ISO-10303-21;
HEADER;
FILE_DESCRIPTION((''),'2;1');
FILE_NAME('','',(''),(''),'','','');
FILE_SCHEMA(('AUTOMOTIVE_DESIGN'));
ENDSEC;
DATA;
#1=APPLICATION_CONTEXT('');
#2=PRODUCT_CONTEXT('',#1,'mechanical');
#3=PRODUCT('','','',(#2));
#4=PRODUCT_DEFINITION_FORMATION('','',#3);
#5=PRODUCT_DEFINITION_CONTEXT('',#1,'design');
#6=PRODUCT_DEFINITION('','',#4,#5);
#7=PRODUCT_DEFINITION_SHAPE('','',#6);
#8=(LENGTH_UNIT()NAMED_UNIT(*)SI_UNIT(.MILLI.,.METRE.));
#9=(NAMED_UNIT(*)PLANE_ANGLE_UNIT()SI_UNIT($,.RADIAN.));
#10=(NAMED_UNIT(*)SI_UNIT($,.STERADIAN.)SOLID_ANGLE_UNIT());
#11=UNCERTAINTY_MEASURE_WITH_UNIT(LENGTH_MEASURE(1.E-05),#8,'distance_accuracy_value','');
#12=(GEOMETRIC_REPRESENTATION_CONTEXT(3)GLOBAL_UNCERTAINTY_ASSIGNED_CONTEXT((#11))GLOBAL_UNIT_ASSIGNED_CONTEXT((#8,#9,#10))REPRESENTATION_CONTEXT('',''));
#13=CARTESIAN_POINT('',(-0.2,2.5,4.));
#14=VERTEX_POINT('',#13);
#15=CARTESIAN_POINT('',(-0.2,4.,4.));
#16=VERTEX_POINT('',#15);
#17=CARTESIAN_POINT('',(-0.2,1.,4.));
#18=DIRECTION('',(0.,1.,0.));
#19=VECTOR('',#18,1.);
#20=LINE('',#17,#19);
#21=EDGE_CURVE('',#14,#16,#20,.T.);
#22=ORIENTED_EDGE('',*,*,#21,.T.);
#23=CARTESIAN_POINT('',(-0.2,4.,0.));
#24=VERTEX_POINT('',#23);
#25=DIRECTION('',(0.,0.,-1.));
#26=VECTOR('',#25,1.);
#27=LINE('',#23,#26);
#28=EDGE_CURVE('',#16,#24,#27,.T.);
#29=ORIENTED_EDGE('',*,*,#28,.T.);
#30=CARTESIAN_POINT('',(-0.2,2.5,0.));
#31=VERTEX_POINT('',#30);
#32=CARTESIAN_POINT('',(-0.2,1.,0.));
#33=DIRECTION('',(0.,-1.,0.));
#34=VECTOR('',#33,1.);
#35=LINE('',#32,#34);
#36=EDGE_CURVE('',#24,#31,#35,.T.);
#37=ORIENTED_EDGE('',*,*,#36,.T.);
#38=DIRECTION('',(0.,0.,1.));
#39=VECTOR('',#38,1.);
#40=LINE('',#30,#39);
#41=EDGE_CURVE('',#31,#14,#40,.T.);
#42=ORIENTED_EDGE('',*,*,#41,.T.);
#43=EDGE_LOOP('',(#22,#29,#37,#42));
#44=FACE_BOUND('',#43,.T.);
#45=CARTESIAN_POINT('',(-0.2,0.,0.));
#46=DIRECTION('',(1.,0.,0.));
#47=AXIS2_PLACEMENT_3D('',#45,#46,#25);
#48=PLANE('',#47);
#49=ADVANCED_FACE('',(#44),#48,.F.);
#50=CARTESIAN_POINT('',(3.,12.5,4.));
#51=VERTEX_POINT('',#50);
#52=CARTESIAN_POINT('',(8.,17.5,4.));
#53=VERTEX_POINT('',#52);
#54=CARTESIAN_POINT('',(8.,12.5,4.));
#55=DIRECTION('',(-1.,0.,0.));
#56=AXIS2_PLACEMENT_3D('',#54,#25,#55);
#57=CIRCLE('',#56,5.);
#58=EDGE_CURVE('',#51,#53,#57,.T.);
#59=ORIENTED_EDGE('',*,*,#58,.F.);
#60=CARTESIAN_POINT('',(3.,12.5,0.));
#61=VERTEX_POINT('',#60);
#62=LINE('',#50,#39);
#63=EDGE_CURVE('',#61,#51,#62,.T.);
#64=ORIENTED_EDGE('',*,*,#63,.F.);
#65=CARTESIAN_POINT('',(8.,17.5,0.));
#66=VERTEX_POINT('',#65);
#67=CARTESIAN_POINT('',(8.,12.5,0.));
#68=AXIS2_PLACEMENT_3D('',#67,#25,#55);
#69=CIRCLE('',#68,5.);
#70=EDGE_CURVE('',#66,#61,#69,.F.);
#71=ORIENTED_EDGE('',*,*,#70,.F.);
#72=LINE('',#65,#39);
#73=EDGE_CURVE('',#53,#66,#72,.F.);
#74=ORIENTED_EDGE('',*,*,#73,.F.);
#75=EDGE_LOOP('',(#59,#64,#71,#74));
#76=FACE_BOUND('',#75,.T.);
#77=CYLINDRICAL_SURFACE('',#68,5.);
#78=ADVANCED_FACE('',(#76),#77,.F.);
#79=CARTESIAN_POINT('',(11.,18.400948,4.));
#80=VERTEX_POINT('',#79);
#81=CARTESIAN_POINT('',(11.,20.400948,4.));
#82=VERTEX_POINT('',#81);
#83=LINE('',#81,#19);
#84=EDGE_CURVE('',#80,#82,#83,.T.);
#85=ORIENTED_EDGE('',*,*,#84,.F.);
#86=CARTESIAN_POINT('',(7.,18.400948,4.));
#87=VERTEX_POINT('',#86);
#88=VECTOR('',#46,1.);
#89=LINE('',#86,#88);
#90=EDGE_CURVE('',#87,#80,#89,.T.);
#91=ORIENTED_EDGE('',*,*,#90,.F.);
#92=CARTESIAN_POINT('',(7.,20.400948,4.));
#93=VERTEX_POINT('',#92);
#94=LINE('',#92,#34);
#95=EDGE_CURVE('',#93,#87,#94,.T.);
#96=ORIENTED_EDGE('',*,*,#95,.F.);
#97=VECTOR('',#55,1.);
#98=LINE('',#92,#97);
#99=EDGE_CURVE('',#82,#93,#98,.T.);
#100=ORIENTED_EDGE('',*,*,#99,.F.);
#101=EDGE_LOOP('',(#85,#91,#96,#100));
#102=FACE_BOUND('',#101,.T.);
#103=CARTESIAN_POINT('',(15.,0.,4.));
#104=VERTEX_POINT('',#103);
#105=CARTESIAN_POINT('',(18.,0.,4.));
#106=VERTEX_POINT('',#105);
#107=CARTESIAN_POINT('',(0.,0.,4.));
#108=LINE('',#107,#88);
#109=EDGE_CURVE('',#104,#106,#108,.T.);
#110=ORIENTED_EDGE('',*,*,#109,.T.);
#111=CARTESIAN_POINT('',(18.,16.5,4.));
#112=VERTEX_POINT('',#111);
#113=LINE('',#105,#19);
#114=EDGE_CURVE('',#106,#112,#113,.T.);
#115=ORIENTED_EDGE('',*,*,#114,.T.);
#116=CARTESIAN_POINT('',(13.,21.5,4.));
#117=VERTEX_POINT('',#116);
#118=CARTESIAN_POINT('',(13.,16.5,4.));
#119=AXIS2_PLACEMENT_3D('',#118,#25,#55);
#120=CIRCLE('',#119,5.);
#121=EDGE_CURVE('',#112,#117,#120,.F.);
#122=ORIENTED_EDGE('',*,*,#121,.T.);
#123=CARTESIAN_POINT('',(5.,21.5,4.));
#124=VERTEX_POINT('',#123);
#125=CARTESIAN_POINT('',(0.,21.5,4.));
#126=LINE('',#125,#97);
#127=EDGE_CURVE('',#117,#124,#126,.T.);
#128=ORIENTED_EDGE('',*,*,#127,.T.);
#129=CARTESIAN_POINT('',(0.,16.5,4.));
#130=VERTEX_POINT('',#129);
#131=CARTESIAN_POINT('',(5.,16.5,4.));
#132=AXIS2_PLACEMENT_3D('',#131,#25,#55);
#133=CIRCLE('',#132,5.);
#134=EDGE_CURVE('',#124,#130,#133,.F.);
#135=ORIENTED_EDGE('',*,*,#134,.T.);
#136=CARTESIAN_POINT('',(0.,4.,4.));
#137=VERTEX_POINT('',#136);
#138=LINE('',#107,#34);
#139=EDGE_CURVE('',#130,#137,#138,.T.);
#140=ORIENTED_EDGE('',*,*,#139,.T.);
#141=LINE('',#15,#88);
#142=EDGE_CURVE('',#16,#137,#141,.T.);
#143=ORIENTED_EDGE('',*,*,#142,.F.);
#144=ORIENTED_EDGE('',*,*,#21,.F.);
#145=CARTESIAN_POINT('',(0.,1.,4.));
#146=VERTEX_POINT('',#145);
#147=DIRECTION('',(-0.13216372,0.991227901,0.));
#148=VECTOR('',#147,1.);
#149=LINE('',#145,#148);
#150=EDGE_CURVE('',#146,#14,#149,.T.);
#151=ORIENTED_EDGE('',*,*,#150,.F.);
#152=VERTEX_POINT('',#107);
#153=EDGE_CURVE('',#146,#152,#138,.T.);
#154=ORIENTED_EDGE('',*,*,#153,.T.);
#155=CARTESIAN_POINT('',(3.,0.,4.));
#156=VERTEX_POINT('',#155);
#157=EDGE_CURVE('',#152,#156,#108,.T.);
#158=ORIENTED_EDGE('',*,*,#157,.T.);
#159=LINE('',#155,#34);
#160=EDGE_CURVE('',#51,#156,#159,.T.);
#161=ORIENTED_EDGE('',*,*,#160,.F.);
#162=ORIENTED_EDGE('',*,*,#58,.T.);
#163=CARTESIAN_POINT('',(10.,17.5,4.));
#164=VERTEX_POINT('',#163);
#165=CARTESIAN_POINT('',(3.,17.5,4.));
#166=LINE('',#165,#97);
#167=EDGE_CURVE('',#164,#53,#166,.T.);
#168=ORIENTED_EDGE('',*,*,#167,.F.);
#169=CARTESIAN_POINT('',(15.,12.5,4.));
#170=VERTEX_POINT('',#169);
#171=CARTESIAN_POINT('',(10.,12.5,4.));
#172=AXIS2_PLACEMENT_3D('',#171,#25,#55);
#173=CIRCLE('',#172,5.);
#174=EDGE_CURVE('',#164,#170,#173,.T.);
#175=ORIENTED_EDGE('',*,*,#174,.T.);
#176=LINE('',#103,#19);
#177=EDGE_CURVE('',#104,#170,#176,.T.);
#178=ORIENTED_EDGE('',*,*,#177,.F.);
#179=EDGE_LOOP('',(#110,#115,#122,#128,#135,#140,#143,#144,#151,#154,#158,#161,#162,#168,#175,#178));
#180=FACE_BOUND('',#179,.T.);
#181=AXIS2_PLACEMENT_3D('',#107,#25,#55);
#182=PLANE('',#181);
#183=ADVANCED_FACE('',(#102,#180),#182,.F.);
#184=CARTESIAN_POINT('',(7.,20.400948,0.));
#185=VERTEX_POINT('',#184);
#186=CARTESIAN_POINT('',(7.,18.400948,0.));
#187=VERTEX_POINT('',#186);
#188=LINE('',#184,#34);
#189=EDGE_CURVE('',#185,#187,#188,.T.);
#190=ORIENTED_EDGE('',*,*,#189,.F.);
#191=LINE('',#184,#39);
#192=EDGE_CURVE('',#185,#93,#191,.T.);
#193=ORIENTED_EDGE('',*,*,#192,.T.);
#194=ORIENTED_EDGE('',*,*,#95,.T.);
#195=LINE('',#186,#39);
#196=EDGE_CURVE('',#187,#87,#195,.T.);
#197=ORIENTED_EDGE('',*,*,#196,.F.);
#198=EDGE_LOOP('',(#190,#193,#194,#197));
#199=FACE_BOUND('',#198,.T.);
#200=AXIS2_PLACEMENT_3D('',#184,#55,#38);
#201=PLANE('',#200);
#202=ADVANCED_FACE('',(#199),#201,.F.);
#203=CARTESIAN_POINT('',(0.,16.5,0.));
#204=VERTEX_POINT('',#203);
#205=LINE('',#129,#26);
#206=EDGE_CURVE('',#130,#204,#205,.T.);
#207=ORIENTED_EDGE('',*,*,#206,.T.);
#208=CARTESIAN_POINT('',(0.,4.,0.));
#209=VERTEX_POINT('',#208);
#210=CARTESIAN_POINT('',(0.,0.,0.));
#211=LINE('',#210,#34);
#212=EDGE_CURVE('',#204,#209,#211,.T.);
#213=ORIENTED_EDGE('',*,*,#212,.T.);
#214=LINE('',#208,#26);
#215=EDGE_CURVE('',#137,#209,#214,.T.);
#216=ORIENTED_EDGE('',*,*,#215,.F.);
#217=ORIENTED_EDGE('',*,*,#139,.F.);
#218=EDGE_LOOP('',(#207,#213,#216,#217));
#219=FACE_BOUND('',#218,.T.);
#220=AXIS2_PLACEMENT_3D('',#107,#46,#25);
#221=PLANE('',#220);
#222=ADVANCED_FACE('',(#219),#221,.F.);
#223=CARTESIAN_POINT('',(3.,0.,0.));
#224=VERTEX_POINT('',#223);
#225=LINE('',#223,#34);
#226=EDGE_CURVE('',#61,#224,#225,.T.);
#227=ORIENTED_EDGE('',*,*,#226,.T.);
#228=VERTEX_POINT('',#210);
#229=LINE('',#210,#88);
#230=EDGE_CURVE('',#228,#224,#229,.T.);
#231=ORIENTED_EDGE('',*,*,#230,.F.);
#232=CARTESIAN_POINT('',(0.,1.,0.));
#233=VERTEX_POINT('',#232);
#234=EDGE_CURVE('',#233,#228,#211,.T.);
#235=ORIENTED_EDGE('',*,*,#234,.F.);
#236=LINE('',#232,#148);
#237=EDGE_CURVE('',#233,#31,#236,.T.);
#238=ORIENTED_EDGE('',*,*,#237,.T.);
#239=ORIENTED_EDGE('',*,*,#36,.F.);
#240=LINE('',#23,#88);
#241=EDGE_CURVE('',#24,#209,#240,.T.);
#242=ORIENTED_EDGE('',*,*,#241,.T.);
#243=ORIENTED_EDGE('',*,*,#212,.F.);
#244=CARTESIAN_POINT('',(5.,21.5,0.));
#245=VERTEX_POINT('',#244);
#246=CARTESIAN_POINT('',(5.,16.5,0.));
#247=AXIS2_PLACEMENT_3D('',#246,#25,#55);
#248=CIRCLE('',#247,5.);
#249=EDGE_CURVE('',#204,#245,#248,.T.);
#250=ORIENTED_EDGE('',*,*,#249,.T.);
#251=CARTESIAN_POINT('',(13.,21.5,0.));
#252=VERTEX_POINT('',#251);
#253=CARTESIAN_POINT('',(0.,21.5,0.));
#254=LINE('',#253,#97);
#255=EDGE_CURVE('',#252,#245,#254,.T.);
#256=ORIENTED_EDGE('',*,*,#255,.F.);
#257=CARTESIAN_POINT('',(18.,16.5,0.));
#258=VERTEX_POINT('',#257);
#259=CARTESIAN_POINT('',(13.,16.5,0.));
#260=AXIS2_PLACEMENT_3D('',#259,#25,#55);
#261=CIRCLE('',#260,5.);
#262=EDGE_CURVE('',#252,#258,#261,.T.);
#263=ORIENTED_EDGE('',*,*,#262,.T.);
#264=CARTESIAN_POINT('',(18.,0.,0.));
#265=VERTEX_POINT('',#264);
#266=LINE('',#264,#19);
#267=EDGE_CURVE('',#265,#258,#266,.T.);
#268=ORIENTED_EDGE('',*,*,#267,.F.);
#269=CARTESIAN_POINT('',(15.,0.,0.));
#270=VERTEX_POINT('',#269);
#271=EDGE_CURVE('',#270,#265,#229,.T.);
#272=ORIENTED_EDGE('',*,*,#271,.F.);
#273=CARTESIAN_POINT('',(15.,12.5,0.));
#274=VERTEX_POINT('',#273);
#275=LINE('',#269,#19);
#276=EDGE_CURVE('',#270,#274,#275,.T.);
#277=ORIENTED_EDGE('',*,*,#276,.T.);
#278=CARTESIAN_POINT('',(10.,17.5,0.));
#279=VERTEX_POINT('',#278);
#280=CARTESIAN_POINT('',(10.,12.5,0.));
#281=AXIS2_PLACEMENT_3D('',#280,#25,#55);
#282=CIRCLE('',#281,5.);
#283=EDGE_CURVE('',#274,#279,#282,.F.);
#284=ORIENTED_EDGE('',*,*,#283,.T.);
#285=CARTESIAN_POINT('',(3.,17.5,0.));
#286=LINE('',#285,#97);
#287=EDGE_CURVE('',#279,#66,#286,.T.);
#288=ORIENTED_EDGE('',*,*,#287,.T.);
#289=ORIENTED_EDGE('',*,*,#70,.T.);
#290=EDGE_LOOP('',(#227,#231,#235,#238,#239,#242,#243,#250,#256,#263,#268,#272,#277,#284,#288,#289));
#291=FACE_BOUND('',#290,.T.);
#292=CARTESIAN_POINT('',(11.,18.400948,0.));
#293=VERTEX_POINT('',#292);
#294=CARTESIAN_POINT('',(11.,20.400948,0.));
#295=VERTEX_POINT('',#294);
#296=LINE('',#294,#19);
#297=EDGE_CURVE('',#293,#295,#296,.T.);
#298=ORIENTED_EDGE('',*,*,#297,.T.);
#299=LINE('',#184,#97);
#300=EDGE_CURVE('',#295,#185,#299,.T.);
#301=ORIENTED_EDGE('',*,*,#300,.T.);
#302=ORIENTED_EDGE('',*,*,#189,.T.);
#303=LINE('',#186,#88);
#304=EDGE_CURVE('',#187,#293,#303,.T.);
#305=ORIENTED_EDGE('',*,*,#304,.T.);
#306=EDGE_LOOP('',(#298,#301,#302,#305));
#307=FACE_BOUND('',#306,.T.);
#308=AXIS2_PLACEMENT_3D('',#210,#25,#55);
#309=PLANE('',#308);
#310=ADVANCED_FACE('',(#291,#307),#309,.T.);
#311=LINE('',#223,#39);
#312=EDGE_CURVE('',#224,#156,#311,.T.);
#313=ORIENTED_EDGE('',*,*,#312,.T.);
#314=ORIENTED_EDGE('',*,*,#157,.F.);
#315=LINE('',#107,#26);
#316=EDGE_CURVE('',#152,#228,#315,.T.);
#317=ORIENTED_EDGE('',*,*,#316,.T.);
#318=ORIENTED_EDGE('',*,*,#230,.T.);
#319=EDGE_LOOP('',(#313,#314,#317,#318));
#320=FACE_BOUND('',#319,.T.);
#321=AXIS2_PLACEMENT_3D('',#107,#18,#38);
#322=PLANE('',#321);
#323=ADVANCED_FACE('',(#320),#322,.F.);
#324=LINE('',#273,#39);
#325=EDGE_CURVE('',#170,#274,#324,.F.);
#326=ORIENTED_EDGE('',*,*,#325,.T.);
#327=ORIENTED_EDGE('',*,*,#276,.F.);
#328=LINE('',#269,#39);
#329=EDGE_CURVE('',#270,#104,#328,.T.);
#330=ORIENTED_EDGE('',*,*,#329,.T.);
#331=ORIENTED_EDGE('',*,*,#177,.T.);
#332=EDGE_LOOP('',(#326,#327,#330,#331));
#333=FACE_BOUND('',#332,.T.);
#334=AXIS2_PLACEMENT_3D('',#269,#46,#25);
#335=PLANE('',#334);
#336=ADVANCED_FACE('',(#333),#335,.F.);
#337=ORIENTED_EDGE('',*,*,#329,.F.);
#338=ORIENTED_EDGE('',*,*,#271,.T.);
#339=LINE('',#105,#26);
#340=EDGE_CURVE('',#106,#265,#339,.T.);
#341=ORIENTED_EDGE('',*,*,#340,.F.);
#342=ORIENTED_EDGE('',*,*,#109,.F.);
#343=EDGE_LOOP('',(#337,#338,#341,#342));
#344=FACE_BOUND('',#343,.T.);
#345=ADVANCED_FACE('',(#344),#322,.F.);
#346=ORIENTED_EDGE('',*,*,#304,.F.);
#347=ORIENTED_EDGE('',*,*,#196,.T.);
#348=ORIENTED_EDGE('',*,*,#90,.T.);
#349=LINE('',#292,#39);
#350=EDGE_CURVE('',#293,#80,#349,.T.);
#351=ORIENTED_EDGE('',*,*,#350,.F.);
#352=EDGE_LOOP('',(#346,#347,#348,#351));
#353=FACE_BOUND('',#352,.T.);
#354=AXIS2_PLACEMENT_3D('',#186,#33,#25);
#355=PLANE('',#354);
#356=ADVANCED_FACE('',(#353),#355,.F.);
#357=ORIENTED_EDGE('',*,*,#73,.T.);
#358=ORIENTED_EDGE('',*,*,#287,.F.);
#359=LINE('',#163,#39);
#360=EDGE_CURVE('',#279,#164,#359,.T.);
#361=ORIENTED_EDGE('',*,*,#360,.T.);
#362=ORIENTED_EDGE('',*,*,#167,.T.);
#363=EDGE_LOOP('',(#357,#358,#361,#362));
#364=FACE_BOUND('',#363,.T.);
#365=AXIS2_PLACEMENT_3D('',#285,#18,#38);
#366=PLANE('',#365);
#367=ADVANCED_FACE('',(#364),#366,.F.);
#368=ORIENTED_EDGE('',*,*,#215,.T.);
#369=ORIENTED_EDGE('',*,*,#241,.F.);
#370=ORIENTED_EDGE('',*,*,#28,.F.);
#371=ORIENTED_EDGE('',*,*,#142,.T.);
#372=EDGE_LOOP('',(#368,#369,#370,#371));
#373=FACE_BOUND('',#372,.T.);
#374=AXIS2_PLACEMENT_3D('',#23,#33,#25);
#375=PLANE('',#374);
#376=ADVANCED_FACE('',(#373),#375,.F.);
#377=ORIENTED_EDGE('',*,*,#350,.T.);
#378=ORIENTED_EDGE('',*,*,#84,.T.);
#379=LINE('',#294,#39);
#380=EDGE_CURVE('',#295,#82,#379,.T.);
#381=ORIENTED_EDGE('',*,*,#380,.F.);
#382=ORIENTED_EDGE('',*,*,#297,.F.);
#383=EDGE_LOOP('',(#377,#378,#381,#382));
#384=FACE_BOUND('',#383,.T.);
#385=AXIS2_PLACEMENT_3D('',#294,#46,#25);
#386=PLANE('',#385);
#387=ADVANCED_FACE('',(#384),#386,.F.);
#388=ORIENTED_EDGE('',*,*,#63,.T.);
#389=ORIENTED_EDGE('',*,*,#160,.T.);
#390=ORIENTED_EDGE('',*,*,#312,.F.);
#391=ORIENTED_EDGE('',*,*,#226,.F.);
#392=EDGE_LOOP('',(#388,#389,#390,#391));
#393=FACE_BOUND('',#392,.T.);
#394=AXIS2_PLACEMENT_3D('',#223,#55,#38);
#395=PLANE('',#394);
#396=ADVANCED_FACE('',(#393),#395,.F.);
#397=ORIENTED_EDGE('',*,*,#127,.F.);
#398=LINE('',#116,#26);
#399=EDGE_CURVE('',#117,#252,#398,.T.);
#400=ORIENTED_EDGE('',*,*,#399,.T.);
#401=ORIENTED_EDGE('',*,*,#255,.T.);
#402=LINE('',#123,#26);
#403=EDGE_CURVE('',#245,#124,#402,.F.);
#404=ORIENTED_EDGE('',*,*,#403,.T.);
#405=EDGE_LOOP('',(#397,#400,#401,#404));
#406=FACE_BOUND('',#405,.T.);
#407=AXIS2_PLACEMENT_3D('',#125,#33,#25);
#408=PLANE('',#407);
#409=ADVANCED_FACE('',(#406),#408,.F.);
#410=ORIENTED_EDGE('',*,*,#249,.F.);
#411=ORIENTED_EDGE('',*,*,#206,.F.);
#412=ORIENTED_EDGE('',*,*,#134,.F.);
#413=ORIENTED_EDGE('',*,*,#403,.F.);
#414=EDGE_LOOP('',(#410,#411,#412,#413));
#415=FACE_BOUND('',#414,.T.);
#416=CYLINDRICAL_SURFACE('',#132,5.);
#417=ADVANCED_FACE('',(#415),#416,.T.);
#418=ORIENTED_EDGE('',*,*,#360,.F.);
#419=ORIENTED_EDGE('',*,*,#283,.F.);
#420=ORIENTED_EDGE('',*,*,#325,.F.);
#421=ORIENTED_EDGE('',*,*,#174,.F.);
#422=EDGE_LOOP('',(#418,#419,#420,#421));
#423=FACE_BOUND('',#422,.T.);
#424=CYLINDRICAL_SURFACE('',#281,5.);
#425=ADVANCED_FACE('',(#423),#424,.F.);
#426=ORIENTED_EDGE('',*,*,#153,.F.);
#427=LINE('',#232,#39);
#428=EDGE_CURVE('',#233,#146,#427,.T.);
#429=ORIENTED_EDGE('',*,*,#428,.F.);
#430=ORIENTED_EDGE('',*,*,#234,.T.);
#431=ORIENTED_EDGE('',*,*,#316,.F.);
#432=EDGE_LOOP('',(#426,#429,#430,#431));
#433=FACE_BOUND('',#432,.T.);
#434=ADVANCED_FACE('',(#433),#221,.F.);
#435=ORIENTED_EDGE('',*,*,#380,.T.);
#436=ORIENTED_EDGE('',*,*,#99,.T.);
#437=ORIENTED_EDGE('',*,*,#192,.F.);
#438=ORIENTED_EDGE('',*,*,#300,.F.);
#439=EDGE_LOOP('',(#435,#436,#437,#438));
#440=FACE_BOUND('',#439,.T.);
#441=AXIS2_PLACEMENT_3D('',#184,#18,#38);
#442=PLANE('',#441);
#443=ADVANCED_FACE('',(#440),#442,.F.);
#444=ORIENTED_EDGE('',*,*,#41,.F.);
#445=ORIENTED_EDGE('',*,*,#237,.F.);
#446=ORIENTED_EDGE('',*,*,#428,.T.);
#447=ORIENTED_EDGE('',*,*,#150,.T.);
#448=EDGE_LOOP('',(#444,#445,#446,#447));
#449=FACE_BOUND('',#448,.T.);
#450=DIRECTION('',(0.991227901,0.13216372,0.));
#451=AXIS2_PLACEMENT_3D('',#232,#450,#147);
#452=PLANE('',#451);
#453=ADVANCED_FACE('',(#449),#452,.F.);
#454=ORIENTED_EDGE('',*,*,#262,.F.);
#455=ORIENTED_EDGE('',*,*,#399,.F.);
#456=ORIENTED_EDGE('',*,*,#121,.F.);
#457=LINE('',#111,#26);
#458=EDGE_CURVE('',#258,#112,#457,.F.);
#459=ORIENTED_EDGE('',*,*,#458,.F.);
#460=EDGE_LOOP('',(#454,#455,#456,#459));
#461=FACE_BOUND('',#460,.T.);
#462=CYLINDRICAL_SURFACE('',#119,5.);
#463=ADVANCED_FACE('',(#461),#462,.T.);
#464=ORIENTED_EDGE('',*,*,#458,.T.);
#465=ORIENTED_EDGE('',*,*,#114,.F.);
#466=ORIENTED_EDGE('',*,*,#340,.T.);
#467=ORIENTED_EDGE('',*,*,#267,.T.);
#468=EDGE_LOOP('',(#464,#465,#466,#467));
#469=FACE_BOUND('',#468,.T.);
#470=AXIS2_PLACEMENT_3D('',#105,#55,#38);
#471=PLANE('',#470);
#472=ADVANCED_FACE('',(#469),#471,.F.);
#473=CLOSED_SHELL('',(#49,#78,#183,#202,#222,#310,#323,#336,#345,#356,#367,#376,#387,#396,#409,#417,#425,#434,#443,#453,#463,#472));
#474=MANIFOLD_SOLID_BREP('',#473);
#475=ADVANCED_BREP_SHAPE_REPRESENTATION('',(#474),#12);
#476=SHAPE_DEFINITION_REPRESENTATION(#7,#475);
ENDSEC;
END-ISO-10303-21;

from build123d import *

# Parameters (mm, degrees)
SKETCH_2_W          = 18
SKETCH_2_H          = 21.5
EXTRUDE_1_DEPTH     = 4
SKETCH_3_W          = 12
SKETCH_3_H          = 17.5
CUT_EXTRUDE_1_DEPTH = 29.324018077
FILLET_1_R          = 5
FILLET_2_R          = 5
SKETCH_4_W          = 4
SKETCH_4_H          = 2
CUT_EXTRUDE_2_DEPTH = 29.324018077
SKETCH_5_W          = 4
SKETCH_5_H          = 3
EXTRUDE_2_DEPTH     = 0.2
CUT_EXTRUDE_3_DEPTH = 29.324018077


with BuildPart() as part:
    # ｽｹｯﾁ2 → ﾎﾞｽ - 押し出し1 (new body)
    with BuildSketch(Plane.XY):
        with Locations((9, 10.75)):
            Rectangle(SKETCH_2_W, SKETCH_2_H)
    extrude(amount=EXTRUDE_1_DEPTH)

    # ｽｹｯﾁ3 → ｶｯﾄ - 押し出し1 (cut, through all)
    with BuildSketch(Plane.XY.offset(4)):
        with Locations((9, 8.75)):
            Rectangle(SKETCH_3_W, SKETCH_3_H)
    extrude(amount=-CUT_EXTRUDE_1_DEPTH, mode=Mode.SUBTRACT)

    # ﾌｨﾚｯﾄ1
    fillet_1_edges = [part.edges().sort_by_distance(p)[0] for p in [
        (3, 17.5, 2),
        (15, 17.5, 2),
    ]]
    fillet(fillet_1_edges, radius=FILLET_1_R)

    # ﾌｨﾚｯﾄ2
    fillet_2_edges = [part.edges().sort_by_distance(p)[0] for p in [
        (0, 21.5, 2),
        (18, 21.5, 2),
    ]]
    fillet(fillet_2_edges, radius=FILLET_2_R)

    # ｽｹｯﾁ4 → ｶｯﾄ - 押し出し2 (cut, through all)
    with BuildSketch(Plane.XY.offset(4)):
        with Locations((9, 19.400947982)):
            Rectangle(SKETCH_4_W, SKETCH_4_H)
    extrude(amount=-CUT_EXTRUDE_2_DEPTH, mode=Mode.SUBTRACT)

    # ｽｹｯﾁ5 → ﾎﾞｽ - 押し出し2 (add)
    with BuildSketch(Plane.ZY):
        with Locations((2, 2.5)):
            Rectangle(SKETCH_5_W, SKETCH_5_H)
    extrude(amount=EXTRUDE_2_DEPTH)

    # ｽｹｯﾁ6 → ｶｯﾄ - 押し出し3 (cut, through all)
    with BuildSketch(Plane.XY.offset(4)):
        Polygon((0, 1), (-0.2, 2.5), (-0.2, 1), align=None)
    extrude(amount=-CUT_EXTRUDE_3_DEPTH, mode=Mode.SUBTRACT)


solid = part.part
